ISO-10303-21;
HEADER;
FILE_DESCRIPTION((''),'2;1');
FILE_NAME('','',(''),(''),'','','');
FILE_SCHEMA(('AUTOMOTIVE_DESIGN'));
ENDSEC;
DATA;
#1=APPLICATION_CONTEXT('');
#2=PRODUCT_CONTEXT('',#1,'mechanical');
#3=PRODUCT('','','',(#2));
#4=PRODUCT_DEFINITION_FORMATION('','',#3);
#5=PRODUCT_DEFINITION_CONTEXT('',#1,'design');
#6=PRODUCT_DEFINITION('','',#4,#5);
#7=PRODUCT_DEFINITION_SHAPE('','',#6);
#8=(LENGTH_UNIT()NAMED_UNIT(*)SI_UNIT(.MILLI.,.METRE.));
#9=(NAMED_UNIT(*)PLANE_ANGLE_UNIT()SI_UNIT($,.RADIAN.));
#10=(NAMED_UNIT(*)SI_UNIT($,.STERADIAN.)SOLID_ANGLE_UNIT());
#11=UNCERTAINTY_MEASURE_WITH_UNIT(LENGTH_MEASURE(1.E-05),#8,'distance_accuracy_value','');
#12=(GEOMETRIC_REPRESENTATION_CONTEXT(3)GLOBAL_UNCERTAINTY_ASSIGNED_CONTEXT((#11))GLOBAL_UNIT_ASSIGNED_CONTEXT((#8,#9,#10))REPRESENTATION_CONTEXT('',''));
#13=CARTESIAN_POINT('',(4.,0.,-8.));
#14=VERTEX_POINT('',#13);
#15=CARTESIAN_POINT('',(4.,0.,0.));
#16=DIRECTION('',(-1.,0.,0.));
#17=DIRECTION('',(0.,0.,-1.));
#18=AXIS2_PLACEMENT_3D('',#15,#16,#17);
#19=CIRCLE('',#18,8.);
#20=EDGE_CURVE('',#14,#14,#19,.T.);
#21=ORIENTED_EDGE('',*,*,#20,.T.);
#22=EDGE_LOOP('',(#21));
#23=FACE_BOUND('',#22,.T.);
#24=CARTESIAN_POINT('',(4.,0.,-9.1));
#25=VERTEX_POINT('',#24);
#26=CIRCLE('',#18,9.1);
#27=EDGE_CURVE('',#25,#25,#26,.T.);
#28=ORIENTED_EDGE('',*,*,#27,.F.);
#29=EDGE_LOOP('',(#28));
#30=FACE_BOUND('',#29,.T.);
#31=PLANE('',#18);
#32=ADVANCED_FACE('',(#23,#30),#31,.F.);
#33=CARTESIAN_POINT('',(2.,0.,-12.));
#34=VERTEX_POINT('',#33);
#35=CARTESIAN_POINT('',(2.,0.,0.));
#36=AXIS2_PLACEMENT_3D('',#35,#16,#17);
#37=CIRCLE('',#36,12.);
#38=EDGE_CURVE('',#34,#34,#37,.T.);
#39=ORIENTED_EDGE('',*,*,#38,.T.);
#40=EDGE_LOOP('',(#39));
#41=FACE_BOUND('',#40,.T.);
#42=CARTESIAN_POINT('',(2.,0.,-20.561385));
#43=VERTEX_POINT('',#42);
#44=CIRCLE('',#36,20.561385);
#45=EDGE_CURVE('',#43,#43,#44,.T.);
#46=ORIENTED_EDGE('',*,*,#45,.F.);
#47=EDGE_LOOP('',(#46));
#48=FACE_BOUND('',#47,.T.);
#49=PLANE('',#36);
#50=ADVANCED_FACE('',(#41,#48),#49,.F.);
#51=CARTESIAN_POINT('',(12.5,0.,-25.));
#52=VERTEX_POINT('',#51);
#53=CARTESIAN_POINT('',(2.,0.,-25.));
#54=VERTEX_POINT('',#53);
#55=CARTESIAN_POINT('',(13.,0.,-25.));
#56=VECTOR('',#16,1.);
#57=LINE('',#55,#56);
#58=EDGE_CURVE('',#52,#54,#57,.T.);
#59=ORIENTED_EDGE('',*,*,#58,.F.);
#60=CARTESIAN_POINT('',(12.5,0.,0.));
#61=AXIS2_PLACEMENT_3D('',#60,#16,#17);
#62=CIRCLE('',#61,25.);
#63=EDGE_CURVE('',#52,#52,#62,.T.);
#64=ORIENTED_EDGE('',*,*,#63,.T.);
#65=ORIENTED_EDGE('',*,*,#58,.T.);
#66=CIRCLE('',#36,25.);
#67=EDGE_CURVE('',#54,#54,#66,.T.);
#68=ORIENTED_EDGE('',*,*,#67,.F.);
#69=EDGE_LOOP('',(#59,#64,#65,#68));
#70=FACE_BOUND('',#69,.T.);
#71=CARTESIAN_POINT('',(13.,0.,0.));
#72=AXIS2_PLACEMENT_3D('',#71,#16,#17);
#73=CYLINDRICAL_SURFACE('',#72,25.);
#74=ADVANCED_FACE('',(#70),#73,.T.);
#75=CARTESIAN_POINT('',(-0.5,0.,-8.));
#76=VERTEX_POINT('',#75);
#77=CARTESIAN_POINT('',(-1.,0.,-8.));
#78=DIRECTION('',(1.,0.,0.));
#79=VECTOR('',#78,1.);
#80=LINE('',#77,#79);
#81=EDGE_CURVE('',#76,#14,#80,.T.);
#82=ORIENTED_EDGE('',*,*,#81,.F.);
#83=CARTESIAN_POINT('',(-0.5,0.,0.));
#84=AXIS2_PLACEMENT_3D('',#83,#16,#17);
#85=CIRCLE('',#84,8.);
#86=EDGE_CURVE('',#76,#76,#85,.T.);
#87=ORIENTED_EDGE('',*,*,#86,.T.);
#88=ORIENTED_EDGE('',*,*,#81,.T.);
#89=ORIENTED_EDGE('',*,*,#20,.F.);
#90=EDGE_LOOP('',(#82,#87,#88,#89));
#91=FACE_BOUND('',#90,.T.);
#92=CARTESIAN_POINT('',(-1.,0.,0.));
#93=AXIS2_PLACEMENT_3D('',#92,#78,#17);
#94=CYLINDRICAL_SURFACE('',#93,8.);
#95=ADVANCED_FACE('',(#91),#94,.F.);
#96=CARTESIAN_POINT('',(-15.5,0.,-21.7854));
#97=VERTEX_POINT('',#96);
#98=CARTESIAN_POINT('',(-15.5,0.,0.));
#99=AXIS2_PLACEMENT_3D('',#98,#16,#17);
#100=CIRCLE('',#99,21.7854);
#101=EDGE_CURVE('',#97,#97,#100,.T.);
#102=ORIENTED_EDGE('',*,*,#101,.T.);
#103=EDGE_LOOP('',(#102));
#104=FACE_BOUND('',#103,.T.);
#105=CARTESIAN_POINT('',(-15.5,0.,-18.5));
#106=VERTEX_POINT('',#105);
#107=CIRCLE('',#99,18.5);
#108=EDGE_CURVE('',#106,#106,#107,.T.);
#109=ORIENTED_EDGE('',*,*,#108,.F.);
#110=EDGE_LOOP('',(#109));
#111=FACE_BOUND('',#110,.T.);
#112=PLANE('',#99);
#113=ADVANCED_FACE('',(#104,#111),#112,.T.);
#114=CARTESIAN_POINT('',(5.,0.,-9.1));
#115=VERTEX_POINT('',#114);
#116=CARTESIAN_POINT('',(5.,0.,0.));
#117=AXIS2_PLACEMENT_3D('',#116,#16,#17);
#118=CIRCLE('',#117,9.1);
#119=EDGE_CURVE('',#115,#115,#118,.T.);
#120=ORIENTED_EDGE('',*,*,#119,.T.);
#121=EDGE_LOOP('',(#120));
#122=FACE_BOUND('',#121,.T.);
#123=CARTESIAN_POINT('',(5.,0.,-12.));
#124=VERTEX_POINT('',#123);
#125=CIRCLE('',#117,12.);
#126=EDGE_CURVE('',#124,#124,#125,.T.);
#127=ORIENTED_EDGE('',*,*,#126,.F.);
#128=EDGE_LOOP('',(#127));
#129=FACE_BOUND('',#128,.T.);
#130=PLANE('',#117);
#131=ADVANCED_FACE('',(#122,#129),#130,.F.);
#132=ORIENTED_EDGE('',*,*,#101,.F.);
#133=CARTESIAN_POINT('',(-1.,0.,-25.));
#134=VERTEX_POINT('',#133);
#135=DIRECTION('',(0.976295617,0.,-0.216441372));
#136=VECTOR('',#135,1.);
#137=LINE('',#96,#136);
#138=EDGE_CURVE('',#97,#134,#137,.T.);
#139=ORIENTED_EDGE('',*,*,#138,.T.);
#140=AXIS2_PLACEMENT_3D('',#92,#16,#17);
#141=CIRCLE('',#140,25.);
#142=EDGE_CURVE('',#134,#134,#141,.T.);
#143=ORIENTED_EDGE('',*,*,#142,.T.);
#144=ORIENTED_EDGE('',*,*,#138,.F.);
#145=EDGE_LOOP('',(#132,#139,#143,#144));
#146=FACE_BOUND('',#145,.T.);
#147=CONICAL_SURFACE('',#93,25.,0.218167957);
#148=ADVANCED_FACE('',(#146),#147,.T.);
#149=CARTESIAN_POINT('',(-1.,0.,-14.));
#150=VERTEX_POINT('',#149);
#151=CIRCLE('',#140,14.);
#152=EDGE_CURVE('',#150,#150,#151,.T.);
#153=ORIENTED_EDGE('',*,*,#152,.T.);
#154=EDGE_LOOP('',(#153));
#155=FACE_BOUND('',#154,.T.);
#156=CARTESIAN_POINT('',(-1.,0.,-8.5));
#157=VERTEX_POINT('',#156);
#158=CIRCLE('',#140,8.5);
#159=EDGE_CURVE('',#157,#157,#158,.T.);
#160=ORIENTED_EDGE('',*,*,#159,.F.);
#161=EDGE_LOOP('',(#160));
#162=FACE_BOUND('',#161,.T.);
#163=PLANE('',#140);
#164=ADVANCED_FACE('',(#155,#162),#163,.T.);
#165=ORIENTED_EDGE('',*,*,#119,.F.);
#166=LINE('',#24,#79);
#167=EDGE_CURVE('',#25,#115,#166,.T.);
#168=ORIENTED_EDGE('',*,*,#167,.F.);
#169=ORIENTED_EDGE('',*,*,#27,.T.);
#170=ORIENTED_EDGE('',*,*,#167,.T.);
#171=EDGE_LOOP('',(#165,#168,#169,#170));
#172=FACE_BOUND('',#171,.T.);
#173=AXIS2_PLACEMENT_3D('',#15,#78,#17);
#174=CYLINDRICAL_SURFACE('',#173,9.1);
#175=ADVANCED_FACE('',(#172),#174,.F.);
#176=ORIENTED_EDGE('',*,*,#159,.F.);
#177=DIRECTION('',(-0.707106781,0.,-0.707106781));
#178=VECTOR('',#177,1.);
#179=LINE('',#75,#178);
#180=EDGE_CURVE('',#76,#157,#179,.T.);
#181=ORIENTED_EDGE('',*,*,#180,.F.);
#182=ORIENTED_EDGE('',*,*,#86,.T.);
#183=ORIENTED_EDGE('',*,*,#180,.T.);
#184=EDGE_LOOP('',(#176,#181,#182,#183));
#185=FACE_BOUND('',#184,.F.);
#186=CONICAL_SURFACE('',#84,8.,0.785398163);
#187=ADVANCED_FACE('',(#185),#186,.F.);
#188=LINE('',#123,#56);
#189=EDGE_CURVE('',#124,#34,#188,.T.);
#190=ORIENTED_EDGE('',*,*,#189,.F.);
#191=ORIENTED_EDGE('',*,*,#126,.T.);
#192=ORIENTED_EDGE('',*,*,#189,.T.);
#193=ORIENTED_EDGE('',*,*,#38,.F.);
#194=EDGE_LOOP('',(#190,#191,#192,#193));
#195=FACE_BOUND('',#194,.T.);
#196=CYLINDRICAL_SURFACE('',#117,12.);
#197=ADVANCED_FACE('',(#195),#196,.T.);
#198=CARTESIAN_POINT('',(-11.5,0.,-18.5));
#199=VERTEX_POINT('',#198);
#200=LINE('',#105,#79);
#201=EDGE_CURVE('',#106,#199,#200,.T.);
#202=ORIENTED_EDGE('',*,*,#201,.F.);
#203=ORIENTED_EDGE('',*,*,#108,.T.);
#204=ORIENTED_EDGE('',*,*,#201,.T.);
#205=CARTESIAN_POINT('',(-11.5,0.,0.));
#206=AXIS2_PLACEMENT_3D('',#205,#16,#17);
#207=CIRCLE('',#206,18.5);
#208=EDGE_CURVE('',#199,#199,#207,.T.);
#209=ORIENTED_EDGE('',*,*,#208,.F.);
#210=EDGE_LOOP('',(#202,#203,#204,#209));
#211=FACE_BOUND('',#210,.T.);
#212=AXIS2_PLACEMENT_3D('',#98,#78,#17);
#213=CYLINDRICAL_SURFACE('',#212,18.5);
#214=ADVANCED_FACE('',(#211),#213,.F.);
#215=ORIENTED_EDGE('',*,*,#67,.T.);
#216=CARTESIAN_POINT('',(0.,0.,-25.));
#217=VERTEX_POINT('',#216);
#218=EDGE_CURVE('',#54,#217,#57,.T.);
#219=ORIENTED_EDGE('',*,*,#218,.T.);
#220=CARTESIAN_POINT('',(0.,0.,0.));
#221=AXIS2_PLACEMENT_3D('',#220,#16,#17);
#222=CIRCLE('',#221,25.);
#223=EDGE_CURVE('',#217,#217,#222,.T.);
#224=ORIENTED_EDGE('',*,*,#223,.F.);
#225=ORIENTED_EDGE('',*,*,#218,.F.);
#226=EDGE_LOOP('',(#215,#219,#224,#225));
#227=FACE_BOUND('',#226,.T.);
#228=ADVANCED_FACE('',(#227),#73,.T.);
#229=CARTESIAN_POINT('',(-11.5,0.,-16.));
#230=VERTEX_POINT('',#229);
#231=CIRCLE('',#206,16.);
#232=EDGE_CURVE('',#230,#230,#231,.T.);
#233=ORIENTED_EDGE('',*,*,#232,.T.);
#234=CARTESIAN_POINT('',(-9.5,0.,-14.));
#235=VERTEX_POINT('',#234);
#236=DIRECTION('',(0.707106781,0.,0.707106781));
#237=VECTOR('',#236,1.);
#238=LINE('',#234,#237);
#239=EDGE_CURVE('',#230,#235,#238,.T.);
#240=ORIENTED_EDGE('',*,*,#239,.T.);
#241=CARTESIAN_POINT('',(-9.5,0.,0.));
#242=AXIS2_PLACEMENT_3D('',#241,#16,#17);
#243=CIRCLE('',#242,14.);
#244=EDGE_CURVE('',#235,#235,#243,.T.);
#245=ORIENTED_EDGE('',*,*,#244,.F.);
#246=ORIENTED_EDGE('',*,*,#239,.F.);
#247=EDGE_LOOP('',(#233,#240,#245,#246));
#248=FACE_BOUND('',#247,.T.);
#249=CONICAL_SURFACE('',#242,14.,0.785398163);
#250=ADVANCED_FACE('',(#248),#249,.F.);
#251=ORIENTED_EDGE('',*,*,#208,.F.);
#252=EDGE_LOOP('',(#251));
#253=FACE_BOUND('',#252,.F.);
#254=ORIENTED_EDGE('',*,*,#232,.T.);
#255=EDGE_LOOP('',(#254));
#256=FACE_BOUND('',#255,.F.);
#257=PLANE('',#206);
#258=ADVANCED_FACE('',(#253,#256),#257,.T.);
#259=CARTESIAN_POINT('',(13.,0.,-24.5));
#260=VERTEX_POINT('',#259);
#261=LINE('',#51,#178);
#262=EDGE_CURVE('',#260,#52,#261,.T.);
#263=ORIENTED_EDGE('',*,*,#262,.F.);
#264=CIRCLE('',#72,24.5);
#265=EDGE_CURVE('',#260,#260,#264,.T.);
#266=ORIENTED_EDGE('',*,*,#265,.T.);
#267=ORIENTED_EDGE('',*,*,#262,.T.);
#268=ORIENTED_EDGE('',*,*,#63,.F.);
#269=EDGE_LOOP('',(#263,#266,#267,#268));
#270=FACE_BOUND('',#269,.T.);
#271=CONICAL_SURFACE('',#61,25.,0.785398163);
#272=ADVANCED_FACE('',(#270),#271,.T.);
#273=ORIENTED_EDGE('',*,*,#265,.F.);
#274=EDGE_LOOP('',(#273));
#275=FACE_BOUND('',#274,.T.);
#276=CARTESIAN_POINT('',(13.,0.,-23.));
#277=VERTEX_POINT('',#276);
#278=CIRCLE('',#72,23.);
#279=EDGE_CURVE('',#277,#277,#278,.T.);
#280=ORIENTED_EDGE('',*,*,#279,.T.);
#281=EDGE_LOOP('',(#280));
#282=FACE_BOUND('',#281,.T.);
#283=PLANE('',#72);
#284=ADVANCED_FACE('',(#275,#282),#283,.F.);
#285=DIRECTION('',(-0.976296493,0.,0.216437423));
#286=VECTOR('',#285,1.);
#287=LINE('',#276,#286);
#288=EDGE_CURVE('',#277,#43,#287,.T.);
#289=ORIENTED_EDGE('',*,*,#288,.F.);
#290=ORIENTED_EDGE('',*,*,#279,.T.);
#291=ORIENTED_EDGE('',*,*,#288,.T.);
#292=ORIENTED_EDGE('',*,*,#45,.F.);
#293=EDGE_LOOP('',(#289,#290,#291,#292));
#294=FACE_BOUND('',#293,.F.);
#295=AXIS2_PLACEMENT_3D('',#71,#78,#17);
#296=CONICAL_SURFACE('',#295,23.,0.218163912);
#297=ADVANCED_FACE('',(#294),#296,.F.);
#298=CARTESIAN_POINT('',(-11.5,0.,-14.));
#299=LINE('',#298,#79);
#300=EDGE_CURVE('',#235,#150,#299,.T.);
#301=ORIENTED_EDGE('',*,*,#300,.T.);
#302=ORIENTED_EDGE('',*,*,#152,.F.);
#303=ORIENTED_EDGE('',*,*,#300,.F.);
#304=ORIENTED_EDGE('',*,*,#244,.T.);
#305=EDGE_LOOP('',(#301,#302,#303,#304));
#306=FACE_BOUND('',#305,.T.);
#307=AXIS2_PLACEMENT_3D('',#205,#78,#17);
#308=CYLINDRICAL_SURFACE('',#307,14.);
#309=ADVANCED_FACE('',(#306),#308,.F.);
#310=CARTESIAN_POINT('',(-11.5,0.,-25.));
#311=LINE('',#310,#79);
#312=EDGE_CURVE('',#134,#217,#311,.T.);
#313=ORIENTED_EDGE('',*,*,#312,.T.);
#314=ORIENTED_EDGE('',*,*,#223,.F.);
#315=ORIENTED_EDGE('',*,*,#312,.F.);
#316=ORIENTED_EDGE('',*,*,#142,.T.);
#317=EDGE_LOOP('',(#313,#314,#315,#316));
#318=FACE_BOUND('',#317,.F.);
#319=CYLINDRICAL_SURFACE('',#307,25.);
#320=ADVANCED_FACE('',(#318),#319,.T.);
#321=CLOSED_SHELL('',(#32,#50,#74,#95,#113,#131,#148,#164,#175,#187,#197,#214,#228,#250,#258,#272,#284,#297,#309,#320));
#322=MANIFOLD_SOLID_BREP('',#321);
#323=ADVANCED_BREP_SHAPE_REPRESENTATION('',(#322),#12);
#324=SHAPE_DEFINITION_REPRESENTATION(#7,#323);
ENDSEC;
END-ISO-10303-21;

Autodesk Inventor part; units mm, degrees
ref_plane "YZ Plane" through (0, 0, 0) normal (1, 0, 0) x (0, 1, 0)
ref_plane "XZ Plane" through (0, 0, 0) normal (0, 1, 0) x (-1, 0, 0)
ref_plane "XY Plane" through (0, 0, 0) normal (0, 0, 1) x (1, 0, 0)
sketch "Sketch1" plane through (0, 0, 0) normal (0, 1, 0) x (-1, 0, 0)
  line L0 (0, 0) -> (1, 0)
  line L1 (1, 0) -> (1, -8)
  line L2 (1, -8) -> (0, -8)
  line L3 (0, -8) -> (0, 0)
  line L4 (1, 0) -> (11.5, 0)
  line L5 (11.5, 0) -> (11.5, -14)
  line L6 (11.5, -14) -> (1, -14)
  line L7 (1, -14) -> (1, 0)
  line L8 (0, 0) -> (-13, 0)
  line L9 (-13, 0) -> (-13, -25)
  line L10 (-13, -25) -> (0, -25)
  line L11 (0, -25) -> (0, 0)
  line L12 (-13, -23) -> (0, -20.118)
  line L13 (-13, 0) -> (11.5, 0)
  line L14 (11.5, 0) -> (11.5, -25)
  line L15 (11.5, -25) -> (-13, -25)
  line L16 (-13, -25) -> (-13, 0)
  line L17 (-13, -25) -> (0, -22.118) construction
  line L18 (11.5, -25) -> (15.5, -25)
  line L19 (15.5, -25) -> (15.5, -18.5)
  line L20 (15.5, -18.5) -> (11.5, -18.5)
  line L21 (11.5, -18.5) -> (11.5, -25)
  line L22 (0, -8) -> (-5, -8)
  line L23 (-5, -8) -> (-5, -12)
  line L24 (-5, -12) -> (0, -12)
  line L25 (0, -12) -> (0, -8)
  line L26 (1, -8) -> (-2, -8)
  line L27 (-2, -8) -> (-2, -25)
  line L28 (-2, -25) -> (1, -25)
  line L29 (1, -25) -> (1, -8)
  line L30 (1, -25) -> (15.5, -21.7854)
  line L31 (-5, -8) -> (-4, -8)
  line L32 (-4, -8) -> (-4, -9.1)
  line L33 (-4, -9.1) -> (-5, -9.1)
  line L34 (-5, -9.1) -> (-5, -8)
  point P0 (1, -8)
  point P1 (0, -8)
  point P2 (0, -25)
  point P3 (11.5, -18.5)
  point P4 (0, -12)
  point P5 (0, -8)
  point P6 (0, -25)
  point P7 (-2, -12)
  point P8 (-2, -20.5614)
  point P9 (1, -25)
  dimension "d0" = 1
  dimension "d1" = 8
  dimension "d2" = 10.5
  dimension "d3" = 14
  dimension "d6" = 13
  dimension "d7" = 25
  dimension "d9" = 23
  dimension "d35" = 4
  dimension "d36" = 18.5
  dimension "d41" = 4
  dimension "d42" = 12.5
  dimension "d43" = 6
  dimension "d44" = 3
  dimension "d45" = 1
  dimension "d46" = 1.1
revolve "Revolution1" add sketch "Sketch1" angle 360 about axis through (0, 0, 0) along (-1, 0, 0) contours L2 L7 L29 L15 L11 | L11 L24 L27 L22 | L11 L12 L27 L24 | L27 L24 L23 L33 L32 L22 | L12 L27 L10 L9 | L6 L14 L30 L29 | L11 L10 L27 L12 | L20 L19 L30 L14
chamfer "Chamfer2" distance 0.5 angle 45 1 edges at (-1, 0, 8)
chamfer "Chamfer4" distance 0.5 angle 45 1 edges at (13, 0, 25)
chamfer "Chamfer5" distance 2 angle 45 1 edges at (-11.5, 0, 14)
properties part number "Flywheel" material "Brass, Soft Yellow"
